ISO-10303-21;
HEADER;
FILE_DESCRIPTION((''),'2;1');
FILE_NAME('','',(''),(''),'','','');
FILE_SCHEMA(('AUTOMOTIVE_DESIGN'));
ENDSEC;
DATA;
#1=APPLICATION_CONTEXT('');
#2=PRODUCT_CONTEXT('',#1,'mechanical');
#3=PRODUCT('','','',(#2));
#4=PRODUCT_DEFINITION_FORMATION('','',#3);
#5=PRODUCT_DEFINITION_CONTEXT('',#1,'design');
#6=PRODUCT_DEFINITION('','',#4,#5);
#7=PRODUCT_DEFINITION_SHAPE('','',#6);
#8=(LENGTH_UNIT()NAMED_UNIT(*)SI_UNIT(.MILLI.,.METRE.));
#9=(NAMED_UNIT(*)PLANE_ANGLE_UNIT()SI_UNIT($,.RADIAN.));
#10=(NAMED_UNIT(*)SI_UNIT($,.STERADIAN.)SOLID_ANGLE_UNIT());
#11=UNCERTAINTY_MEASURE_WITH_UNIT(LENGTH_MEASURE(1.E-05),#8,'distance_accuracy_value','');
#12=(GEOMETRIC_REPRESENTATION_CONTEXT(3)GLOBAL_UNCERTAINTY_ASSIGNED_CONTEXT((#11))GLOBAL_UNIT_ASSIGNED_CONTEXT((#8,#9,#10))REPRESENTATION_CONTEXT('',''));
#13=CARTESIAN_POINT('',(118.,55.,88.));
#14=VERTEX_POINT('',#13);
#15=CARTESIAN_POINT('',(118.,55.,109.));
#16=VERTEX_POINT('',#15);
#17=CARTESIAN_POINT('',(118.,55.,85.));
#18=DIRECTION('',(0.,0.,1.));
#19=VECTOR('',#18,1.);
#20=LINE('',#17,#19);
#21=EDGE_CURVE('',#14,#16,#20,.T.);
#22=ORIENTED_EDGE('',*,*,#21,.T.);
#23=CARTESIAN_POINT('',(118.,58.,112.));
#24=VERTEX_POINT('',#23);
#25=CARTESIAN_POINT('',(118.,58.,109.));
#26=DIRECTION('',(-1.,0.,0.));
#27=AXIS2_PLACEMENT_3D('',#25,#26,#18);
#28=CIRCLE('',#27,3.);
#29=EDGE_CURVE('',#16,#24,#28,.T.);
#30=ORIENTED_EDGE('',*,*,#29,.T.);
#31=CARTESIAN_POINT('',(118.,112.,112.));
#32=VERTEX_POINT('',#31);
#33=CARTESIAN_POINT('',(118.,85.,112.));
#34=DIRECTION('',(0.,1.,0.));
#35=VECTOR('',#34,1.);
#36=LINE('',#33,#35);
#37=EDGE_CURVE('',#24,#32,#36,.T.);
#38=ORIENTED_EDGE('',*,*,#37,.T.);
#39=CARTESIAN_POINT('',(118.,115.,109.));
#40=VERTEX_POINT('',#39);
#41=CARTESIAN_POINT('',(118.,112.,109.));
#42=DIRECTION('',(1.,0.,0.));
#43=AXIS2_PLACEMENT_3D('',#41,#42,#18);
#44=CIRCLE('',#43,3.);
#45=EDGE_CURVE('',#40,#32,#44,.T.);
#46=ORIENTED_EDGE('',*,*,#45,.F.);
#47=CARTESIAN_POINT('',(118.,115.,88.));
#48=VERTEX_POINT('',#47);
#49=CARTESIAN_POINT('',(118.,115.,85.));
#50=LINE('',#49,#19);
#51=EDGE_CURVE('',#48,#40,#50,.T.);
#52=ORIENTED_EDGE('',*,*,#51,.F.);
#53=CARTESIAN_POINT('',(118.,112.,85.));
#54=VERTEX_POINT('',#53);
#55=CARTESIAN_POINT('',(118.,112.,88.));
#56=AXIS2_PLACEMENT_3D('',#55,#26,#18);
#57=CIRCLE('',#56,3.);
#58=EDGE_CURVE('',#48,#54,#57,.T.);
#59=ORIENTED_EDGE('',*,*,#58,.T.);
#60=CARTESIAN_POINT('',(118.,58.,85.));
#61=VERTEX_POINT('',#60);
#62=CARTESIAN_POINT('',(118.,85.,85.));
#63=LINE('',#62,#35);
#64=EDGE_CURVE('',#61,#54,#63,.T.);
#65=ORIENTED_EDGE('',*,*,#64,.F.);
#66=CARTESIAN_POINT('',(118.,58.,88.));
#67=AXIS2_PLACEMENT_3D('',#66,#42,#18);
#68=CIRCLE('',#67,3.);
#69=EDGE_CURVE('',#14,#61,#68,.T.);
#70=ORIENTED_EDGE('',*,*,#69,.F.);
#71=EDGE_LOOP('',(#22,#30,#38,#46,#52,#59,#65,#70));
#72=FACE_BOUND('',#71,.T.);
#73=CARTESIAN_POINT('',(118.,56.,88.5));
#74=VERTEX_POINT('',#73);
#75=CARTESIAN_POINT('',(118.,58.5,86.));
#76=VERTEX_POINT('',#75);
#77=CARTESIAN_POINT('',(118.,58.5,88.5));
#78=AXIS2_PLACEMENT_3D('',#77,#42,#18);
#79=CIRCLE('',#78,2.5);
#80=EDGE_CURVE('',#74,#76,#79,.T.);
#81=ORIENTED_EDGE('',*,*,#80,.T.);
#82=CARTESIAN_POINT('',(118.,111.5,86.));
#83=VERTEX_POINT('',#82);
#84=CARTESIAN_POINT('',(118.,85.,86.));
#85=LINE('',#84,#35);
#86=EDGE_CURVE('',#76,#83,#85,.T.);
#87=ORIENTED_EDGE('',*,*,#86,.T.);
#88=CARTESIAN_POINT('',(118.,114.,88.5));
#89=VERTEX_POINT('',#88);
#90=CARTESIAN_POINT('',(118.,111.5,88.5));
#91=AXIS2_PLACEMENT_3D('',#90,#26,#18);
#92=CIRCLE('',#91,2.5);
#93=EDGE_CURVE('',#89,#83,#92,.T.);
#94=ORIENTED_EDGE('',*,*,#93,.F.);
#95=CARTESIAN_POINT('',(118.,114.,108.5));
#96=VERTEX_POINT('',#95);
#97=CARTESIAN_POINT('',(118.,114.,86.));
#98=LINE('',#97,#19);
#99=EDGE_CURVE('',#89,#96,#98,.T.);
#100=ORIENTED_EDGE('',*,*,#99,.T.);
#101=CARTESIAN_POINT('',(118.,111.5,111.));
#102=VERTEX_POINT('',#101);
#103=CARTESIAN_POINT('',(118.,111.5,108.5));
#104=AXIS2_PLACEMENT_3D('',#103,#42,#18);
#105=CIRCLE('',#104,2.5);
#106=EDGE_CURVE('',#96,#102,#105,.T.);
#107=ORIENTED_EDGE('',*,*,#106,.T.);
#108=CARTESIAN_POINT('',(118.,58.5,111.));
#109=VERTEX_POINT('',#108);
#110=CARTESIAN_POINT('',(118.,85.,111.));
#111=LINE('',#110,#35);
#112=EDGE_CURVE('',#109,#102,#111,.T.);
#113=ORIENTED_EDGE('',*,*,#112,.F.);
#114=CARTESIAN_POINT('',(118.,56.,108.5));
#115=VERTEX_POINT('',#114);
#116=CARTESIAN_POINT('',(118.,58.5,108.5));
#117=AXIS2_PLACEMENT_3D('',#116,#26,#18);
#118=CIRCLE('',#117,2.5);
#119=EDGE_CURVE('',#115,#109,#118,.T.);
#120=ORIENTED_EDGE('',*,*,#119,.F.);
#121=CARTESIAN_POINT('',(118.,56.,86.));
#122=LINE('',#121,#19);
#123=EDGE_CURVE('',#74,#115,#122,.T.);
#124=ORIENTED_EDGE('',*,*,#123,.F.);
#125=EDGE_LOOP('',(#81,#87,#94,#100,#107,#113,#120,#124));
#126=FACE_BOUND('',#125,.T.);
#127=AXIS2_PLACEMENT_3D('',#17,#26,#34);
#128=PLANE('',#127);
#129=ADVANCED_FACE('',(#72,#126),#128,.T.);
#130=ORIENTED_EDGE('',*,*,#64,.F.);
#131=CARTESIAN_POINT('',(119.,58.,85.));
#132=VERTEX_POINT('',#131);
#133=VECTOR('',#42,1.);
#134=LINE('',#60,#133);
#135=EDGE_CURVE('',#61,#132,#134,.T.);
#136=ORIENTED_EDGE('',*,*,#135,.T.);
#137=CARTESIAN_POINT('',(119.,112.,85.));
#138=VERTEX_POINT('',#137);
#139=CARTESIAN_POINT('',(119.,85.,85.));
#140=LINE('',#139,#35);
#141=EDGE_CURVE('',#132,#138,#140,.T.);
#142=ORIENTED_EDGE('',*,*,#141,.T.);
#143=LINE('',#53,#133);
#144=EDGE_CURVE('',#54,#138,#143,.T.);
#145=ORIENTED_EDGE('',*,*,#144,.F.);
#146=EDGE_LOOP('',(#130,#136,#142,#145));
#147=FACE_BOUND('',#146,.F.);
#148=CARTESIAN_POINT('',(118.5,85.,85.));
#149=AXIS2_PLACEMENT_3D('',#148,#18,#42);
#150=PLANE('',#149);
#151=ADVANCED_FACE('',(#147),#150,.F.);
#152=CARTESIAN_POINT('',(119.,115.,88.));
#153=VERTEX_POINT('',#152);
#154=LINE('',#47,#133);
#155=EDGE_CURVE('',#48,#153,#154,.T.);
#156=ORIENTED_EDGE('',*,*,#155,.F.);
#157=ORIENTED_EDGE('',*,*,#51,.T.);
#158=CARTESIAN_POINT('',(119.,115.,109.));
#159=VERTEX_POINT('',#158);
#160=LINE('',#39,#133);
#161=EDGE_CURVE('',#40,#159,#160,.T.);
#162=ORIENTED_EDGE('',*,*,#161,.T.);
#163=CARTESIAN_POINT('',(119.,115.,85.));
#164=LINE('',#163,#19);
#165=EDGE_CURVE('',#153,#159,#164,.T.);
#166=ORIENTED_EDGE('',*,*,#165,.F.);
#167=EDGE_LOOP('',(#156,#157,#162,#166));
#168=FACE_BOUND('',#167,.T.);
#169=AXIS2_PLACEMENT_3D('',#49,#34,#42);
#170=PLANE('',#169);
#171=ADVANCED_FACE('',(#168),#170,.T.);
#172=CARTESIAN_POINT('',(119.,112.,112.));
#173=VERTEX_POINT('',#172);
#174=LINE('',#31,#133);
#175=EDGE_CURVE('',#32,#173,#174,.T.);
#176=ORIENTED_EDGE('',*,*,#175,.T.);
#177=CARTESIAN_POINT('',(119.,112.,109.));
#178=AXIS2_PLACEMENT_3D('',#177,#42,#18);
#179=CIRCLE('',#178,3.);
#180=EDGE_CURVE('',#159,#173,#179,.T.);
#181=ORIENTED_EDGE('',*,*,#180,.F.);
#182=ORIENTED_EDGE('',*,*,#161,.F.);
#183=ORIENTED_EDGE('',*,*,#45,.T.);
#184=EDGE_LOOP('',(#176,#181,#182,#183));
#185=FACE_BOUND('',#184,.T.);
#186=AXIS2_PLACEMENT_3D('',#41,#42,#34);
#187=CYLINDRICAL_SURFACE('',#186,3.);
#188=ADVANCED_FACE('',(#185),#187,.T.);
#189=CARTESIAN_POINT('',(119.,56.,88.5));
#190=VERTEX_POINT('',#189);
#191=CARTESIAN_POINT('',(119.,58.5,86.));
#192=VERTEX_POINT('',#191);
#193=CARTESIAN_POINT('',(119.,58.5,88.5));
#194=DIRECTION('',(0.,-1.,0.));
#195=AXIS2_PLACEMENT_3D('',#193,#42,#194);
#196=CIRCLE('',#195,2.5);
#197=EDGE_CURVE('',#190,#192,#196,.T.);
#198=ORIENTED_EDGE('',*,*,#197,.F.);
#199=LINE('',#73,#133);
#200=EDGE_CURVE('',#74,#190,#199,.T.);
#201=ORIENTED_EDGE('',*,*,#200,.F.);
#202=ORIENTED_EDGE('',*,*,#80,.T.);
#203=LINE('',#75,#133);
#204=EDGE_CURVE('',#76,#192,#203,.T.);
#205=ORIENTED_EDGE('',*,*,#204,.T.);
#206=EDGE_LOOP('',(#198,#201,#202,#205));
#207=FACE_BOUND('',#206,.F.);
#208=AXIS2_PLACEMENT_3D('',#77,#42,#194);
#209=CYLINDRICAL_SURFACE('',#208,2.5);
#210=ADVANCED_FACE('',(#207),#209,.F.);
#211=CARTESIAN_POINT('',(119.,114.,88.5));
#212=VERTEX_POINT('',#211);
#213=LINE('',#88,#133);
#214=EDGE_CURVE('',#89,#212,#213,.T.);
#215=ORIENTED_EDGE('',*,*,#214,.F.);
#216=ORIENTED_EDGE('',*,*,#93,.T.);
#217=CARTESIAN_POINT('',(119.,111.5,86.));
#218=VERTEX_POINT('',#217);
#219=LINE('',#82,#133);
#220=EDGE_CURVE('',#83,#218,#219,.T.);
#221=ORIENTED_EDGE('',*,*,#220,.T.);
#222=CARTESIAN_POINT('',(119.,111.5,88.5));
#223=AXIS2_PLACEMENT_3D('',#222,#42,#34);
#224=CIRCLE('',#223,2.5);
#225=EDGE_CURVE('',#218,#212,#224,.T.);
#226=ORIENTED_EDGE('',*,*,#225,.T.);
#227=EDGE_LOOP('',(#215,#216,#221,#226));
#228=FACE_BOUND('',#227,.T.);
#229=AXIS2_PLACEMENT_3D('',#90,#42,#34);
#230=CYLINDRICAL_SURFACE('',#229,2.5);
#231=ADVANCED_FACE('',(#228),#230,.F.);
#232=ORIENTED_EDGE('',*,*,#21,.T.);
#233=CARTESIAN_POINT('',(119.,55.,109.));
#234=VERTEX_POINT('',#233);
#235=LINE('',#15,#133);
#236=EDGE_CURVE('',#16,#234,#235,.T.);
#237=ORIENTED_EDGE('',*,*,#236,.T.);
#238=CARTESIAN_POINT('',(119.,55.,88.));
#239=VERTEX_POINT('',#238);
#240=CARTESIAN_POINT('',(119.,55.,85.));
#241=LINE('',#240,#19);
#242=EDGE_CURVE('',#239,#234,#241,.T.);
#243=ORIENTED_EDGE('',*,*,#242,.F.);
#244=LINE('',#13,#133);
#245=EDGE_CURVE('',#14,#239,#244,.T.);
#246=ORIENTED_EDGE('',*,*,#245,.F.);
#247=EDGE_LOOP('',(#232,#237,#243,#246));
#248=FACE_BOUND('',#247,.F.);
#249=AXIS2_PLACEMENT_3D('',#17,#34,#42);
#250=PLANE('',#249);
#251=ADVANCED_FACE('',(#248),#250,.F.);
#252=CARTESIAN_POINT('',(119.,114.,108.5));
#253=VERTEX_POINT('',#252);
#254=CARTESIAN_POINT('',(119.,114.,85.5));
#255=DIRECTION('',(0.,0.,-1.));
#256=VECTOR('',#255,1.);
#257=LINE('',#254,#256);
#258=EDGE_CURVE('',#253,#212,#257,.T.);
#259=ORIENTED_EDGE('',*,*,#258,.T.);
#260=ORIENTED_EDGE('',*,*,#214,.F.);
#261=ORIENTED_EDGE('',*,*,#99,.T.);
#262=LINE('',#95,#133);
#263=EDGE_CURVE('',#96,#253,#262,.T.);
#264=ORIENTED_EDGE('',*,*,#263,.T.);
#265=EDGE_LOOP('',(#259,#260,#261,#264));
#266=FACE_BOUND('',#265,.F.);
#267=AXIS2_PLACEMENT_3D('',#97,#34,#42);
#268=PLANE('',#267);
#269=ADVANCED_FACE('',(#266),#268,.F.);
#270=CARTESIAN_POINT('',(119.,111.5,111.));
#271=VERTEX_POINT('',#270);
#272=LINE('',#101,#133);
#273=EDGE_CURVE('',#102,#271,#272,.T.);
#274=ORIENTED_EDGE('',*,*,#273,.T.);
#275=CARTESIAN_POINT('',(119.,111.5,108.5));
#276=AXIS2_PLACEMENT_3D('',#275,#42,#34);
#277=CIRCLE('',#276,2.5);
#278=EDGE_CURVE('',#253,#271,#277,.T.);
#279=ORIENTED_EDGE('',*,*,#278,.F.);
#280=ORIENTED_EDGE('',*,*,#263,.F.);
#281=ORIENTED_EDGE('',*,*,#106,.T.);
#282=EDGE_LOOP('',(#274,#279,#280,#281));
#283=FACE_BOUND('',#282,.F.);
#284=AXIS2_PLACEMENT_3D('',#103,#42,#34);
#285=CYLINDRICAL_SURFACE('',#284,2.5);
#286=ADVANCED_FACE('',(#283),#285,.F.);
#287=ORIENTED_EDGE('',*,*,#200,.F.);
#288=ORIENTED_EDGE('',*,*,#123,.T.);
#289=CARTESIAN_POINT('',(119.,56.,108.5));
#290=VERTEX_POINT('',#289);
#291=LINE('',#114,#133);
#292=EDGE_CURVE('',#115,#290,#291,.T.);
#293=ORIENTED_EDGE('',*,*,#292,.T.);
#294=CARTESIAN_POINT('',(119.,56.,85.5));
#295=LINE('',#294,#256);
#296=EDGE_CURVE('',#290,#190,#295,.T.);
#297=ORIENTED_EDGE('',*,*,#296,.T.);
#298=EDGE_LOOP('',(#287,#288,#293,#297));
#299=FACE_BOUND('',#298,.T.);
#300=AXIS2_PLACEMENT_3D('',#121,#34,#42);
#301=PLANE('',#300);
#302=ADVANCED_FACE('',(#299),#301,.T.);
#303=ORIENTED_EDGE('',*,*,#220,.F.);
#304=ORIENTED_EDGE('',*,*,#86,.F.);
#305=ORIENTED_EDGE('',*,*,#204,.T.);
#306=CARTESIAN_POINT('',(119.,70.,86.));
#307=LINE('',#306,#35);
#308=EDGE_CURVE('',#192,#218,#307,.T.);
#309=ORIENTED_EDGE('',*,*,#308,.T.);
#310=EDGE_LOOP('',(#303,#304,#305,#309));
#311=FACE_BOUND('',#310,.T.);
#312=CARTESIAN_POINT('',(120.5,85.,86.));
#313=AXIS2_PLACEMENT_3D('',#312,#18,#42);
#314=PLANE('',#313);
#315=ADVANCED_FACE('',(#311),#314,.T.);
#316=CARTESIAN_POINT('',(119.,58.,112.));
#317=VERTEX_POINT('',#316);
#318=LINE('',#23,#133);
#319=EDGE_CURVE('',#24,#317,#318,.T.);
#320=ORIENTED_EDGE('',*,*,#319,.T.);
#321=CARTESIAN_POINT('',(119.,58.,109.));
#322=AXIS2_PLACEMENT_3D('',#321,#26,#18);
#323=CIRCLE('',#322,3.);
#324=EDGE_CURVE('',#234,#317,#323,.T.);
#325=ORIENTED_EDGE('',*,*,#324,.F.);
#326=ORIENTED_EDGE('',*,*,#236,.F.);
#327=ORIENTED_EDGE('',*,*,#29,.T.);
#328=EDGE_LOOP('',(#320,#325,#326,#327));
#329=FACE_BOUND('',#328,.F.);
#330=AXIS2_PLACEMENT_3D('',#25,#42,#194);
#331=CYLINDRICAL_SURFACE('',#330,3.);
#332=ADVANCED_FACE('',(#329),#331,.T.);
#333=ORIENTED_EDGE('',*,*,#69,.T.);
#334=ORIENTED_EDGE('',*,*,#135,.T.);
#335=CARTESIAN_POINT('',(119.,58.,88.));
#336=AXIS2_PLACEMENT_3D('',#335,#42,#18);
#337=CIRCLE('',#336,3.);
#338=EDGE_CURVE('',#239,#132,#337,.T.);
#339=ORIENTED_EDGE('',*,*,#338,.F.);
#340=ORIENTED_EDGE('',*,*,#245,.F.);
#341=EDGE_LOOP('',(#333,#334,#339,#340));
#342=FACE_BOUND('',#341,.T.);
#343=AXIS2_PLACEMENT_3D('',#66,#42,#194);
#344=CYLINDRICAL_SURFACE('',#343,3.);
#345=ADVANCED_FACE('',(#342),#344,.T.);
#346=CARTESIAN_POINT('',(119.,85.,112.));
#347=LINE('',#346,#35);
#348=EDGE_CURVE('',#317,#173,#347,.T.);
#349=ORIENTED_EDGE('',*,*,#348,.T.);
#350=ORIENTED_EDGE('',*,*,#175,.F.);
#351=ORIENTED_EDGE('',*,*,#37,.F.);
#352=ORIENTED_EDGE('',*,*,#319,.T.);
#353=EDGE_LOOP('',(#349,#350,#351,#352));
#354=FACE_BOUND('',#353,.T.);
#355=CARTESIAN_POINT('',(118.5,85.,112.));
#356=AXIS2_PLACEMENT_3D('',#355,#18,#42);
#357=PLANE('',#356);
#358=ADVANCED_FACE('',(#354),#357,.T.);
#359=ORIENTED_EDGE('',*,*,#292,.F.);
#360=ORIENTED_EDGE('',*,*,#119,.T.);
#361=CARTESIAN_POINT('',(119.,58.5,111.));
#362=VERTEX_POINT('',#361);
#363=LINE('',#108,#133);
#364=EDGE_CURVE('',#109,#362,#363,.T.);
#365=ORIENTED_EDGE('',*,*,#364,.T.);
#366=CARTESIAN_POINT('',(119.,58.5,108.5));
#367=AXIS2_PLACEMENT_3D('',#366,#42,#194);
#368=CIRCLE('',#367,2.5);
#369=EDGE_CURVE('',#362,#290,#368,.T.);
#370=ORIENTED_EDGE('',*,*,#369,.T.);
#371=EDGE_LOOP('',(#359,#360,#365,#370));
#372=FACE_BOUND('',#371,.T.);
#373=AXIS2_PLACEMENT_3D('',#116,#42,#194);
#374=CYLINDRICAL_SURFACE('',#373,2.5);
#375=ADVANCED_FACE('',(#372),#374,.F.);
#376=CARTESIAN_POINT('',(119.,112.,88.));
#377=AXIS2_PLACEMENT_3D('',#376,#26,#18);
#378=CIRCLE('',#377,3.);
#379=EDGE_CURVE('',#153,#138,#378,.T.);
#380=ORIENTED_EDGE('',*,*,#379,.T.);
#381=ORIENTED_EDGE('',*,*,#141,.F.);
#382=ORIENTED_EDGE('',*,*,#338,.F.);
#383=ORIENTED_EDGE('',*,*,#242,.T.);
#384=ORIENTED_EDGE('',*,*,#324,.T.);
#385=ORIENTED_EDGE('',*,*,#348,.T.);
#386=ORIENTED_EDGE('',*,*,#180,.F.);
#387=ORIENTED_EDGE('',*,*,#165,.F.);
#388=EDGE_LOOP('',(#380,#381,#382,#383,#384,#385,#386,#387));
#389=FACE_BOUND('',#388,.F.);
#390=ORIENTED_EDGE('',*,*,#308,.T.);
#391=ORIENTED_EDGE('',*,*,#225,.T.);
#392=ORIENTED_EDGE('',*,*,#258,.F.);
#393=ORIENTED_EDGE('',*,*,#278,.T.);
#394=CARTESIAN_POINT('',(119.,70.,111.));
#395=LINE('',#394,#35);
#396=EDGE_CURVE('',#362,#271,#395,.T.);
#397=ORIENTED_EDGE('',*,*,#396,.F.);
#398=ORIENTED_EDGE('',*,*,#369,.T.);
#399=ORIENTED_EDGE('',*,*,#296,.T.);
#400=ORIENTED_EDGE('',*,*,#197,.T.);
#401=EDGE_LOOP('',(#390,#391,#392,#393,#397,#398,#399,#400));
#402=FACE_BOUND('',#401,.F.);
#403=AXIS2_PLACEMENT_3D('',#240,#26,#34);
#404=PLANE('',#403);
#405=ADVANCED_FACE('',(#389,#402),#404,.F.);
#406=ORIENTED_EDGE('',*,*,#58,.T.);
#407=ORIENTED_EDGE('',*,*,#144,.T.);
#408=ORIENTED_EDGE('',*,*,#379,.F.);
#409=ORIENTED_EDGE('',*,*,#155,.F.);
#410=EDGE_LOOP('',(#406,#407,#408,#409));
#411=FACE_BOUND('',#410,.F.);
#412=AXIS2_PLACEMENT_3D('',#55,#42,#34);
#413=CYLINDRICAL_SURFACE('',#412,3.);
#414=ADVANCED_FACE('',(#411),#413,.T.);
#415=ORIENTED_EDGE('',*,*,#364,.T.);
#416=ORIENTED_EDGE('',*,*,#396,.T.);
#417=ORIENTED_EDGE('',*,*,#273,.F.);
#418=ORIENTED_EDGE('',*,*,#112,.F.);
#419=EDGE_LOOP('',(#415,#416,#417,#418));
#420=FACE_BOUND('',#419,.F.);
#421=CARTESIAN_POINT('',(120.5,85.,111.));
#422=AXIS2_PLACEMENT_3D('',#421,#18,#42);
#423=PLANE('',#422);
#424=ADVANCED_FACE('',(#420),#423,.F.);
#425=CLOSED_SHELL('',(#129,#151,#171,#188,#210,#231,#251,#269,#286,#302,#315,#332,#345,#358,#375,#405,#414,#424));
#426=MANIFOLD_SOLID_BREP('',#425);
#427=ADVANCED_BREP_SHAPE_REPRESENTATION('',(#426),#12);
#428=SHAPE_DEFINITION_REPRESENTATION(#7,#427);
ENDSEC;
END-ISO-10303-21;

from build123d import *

# Parameters (mm, degrees)
BOX056_W     = 5
BOX056_H     = 58
BOX056_DEPTH = 25
FILLET062_R  = 2.5
BOX007_W     = 1
BOX007_H     = 60
BOX007_DEPTH = 27
FILLET045_R  = 3


with BuildPart() as fillet062:
    # Box056 → Box056 (new body)
    with BuildSketch(Plane(origin=(118, 56, 86), x_dir=(1, 0, 0), z_dir=(0, 0, 1))):
        with Locations((2.5, 29)):
            Rectangle(BOX056_W, BOX056_H)
    extrude(amount=BOX056_DEPTH)

    # Fillet062
    fillet062_edges = [fillet062.edges().sort_by_distance(p)[0] for p in [
        (120.5, 56, 86),
        (120.5, 56, 111),
        (120.5, 114, 86),
        (120.5, 114, 111),
    ]]
    fillet(fillet062_edges, radius=FILLET062_R)


with BuildPart() as cut042:
    # Box007 → Box007 (new body)
    with BuildSketch(Plane(origin=(118, 55, 85), x_dir=(1, 0, 0), z_dir=(0, 0, 1))):
        with Locations((0.5, 30)):
            Rectangle(BOX007_W, BOX007_H)
    extrude(amount=BOX007_DEPTH)

    # Fillet045
    fillet045_edges = [cut042.edges().sort_by_distance(p)[0] for p in [
        (118.5, 55, 85),
        (118.5, 55, 112),
        (118.5, 115, 85),
        (118.5, 115, 112),
    ]]
    fillet(fillet045_edges, radius=FILLET045_R)

    # Cut042: cut Fillet062
    add(fillet062.part, mode=Mode.SUBTRACT)


solid = cut042.part
